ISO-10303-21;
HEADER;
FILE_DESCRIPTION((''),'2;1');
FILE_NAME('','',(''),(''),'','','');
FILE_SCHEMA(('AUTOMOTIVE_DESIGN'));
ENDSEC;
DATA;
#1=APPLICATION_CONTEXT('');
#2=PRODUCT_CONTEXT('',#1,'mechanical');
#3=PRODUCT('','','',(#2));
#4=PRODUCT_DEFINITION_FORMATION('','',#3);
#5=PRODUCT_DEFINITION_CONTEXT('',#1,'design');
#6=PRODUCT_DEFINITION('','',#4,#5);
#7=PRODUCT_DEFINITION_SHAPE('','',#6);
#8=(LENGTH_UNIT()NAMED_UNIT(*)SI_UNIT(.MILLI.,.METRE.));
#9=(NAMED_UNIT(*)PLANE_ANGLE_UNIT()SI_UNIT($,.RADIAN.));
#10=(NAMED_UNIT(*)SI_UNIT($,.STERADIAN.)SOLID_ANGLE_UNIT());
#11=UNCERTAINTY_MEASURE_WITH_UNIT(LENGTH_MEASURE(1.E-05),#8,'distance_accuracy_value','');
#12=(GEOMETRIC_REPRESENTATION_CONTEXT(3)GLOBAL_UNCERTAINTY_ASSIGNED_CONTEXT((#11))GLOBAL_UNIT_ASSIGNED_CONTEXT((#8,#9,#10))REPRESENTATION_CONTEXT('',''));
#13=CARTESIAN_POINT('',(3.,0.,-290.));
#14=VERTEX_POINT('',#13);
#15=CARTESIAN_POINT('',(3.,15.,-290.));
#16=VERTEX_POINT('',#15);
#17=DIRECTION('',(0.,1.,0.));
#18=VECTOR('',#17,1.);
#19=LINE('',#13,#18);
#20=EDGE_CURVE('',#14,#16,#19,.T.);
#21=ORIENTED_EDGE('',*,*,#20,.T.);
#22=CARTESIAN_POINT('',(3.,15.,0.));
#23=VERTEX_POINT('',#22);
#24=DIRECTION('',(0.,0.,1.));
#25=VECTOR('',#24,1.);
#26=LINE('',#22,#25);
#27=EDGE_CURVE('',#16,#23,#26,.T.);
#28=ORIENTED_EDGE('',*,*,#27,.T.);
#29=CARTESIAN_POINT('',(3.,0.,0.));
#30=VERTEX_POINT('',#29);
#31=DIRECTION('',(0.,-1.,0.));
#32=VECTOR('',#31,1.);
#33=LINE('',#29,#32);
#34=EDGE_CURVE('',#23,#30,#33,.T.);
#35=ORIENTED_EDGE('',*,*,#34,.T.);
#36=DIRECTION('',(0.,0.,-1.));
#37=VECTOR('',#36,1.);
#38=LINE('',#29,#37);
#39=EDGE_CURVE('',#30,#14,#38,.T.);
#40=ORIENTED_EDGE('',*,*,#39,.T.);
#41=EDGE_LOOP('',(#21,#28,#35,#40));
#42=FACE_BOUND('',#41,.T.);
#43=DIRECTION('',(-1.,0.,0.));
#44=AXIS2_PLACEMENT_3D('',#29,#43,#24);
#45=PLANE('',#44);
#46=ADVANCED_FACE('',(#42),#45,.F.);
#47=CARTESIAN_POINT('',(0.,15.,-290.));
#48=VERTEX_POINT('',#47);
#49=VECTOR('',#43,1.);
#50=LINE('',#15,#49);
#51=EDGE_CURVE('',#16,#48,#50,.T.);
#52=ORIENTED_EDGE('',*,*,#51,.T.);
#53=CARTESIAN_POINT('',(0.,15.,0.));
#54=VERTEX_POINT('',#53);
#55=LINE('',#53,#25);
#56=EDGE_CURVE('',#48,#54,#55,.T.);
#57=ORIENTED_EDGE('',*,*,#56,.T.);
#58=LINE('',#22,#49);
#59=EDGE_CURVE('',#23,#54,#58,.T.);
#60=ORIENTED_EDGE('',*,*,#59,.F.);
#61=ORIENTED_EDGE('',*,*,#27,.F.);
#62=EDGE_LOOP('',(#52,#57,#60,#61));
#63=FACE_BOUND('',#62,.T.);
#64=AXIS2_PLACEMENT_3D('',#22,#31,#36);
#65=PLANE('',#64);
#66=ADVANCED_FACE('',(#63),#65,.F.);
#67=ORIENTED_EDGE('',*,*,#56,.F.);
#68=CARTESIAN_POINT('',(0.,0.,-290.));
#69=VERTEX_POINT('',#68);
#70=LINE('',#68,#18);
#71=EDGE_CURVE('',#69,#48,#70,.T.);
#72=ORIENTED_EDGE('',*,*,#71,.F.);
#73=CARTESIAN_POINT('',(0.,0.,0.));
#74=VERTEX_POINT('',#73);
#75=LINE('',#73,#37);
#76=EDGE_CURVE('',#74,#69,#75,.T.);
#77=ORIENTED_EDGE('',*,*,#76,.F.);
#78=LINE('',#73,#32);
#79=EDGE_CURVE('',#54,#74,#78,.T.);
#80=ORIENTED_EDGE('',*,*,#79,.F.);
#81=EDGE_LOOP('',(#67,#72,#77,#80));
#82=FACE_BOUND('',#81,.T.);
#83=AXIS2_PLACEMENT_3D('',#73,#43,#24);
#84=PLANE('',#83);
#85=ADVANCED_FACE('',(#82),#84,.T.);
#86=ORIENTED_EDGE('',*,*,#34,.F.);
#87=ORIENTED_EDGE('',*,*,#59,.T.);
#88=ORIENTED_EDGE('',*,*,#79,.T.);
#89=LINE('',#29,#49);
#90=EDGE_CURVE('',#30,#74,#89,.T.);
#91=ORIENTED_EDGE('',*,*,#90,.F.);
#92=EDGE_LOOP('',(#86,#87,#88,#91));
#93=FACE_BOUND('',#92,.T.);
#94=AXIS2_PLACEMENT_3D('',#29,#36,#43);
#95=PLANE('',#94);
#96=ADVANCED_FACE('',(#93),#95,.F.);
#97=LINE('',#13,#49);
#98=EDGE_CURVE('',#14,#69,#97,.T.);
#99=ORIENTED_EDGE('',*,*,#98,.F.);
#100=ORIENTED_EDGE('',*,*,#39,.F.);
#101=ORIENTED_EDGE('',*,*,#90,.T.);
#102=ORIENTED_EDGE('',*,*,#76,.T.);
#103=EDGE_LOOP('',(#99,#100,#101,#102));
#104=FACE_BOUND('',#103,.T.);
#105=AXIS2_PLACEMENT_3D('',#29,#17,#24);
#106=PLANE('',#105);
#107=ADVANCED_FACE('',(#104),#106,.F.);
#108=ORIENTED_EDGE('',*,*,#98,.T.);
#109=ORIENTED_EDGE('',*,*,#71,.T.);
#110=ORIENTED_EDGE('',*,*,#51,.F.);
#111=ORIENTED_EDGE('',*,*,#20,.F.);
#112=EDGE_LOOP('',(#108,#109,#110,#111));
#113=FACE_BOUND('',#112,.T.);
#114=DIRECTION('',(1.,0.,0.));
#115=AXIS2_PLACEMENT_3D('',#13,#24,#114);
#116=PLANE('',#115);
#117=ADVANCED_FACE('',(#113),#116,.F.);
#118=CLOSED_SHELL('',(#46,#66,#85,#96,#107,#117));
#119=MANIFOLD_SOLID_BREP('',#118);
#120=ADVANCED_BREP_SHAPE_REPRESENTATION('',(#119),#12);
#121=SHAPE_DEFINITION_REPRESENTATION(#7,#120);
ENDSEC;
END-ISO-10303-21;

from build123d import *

# Parameters (mm, degrees)
IZIM1_W                     = 290
IZIM1_H                     = 15
Y_KSEKLIK_EKSTR_ZYON1_DEPTH = 3


with BuildPart() as part:
    # Çizim1 → Yükseklik-Ekstrüzyon1 (new body)
    with BuildSketch(Plane(origin=(0, 0, 0), x_dir=(0, 0, -1), z_dir=(1, 0, 0))):
        with Locations((145, 7.5)):
            Rectangle(IZIM1_W, IZIM1_H)
    extrude(amount=Y_KSEKLIK_EKSTR_ZYON1_DEPTH)


solid = part.part
